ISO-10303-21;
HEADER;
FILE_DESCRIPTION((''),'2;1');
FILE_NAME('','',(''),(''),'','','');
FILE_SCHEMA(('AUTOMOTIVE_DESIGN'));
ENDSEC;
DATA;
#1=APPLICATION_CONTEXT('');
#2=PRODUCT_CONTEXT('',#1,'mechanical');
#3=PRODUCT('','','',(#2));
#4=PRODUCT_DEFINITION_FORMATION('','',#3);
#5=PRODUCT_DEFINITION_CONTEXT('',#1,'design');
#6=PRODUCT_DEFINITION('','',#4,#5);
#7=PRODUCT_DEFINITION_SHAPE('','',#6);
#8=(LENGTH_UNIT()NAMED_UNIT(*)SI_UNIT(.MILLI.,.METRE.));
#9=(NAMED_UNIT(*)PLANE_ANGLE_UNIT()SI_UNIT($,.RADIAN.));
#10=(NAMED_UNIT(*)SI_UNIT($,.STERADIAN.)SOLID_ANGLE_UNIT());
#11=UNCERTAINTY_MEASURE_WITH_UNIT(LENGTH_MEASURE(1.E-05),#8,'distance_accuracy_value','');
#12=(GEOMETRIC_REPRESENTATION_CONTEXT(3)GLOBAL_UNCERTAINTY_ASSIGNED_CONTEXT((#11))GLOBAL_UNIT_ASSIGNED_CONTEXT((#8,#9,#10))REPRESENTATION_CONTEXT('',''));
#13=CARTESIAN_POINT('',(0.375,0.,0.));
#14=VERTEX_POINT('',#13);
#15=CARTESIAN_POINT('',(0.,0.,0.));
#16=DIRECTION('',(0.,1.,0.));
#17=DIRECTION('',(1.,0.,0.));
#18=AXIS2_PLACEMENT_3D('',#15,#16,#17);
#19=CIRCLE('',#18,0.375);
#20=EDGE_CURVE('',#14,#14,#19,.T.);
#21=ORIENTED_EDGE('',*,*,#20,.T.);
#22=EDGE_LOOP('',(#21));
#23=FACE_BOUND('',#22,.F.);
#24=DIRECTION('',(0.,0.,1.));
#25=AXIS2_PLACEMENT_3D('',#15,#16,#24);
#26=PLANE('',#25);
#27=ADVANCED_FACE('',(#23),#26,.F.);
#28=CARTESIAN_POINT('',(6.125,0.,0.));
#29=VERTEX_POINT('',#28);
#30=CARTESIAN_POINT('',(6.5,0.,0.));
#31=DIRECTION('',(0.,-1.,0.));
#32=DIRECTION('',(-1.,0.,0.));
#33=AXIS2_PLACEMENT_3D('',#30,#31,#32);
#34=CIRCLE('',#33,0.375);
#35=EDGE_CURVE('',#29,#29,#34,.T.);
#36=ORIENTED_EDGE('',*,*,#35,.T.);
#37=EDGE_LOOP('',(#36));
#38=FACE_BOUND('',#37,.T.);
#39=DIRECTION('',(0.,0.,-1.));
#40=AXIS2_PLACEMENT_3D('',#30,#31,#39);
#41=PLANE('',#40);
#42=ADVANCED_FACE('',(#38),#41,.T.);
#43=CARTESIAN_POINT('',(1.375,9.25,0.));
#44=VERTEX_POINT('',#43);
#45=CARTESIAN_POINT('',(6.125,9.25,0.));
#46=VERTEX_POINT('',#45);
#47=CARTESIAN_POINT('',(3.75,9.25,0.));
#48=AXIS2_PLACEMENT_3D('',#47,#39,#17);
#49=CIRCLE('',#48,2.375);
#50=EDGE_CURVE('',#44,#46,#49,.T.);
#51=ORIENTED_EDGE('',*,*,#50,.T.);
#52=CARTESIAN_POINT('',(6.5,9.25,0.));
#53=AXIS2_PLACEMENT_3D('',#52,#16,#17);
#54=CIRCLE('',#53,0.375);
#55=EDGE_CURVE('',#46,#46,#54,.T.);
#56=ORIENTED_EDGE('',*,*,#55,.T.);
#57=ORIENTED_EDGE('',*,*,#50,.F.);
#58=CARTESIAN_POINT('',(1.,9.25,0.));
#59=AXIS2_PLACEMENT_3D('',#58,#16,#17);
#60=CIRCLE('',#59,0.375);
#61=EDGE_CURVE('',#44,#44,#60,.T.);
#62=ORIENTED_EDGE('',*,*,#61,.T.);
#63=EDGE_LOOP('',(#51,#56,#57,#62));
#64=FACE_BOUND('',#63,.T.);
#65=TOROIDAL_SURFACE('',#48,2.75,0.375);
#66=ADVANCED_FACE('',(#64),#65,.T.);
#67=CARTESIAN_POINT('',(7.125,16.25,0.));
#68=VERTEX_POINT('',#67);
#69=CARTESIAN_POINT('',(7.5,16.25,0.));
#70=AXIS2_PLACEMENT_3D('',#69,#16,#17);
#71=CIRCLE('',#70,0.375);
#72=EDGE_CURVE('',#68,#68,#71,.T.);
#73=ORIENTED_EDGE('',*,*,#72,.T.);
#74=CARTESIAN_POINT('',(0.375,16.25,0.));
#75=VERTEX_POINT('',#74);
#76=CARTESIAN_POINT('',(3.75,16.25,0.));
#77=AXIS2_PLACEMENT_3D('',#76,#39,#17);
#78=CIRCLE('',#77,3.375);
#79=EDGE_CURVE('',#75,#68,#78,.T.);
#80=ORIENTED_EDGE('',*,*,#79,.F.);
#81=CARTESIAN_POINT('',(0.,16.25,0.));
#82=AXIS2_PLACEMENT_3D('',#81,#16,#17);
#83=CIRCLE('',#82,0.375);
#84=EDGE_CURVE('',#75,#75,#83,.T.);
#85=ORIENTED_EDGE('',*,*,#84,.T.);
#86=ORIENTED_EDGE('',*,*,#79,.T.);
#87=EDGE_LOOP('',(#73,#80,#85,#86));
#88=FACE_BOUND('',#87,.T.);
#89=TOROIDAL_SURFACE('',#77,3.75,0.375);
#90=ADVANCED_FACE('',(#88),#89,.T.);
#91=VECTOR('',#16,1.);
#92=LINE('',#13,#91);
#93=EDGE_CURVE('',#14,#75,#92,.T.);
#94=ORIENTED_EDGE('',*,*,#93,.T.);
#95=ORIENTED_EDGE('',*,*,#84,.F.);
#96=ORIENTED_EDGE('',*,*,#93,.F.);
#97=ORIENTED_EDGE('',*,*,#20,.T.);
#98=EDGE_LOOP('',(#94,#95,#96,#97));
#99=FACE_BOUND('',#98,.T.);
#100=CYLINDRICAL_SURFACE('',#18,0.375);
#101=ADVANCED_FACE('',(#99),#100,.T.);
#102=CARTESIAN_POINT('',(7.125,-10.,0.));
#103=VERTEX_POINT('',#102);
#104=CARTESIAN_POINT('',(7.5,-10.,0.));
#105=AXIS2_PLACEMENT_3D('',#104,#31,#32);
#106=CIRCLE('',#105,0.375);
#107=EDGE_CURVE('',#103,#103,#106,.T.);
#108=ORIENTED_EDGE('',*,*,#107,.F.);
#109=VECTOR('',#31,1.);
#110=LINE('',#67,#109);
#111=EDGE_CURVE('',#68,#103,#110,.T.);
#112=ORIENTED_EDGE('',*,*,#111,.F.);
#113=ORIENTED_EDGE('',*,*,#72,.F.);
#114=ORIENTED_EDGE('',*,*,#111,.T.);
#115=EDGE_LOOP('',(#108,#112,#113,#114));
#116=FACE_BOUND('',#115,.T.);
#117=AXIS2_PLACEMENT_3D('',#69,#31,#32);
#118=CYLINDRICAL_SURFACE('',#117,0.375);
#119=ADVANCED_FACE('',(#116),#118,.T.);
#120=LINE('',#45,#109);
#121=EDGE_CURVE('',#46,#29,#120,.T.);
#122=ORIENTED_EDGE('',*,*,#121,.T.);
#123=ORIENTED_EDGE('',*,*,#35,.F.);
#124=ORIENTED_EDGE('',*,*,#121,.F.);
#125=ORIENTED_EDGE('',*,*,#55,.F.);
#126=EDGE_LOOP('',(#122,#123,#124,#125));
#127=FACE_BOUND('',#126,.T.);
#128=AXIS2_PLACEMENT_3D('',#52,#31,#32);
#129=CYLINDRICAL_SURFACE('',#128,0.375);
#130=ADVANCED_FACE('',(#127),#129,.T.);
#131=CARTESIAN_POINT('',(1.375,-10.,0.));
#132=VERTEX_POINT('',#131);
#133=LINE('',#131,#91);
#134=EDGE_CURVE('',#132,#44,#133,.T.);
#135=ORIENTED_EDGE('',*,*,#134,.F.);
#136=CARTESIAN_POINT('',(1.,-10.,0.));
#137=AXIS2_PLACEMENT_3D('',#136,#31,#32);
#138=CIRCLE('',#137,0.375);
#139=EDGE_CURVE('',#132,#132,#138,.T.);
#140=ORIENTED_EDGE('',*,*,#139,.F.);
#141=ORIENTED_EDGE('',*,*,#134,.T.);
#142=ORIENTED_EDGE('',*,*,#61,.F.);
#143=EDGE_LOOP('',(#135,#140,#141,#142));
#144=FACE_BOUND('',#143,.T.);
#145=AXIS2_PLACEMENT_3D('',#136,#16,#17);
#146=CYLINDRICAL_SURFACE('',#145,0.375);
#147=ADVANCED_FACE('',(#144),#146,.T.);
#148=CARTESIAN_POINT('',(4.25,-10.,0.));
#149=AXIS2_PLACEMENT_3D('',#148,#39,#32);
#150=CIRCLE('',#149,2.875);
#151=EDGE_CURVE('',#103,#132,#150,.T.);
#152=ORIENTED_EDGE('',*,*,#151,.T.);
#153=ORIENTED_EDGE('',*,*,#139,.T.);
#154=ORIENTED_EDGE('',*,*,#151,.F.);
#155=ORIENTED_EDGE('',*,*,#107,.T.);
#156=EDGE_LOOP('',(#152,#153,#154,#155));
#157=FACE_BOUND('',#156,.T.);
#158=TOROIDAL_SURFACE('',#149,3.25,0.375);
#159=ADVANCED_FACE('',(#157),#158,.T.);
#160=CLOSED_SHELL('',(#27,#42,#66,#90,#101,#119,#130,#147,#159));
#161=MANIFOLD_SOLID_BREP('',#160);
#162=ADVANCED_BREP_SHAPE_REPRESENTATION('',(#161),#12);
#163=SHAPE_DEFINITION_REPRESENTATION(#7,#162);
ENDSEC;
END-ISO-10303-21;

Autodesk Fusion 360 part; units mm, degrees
sketch "Sweep Path" plane through (0, 0, 0) normal (0, 0, 1) x (1, 0, 0)
  line L0 (0, 0) -> (0, 16.25)
  line L1 (0, 16.25) -> (7.5, 16.25) construction
  line L2 (7.5, 16.25) -> (7.5, -10)
  line L3 (7.5, -10) -> (1, -10) construction
  line L4 (1, -10) -> (1, 9.25)
  line L5 (1, 9.25) -> (6.5, 9.25) construction
  line L6 (6.5, 9.25) -> (6.5, 0)
  arc A0 (7.5, 16.25) -> (0, 16.25) centre (3.75, 16.25) ccw
  arc A1 (6.5, 9.25) -> (1, 9.25) centre (3.75, 9.25) ccw
  arc A2 (1, -10) -> (7.5, -10) centre (4.25, -10) ccw
  dimension "d1" = 16.25
  dimension "d2" = 7.5
  dimension "d3" = 26.25
  dimension "d4" = 6.5
  dimension "d5" = 19.25
  dimension "d6" = 5.5
  dimension "d7" = 9.25
sketch "Sweep Profile" plane through (0, 0, 0) normal (0, 1, 0) x (1, 0, 0)
  circle A0 centre (0, 0) radius 0.375
  dimension "d8" = 0.75
sweep "Sweep1" add profiles "Sweep Profile" path "Sweep Path" along L0 A0 L2 A2 L4 A1 L6 section 1
